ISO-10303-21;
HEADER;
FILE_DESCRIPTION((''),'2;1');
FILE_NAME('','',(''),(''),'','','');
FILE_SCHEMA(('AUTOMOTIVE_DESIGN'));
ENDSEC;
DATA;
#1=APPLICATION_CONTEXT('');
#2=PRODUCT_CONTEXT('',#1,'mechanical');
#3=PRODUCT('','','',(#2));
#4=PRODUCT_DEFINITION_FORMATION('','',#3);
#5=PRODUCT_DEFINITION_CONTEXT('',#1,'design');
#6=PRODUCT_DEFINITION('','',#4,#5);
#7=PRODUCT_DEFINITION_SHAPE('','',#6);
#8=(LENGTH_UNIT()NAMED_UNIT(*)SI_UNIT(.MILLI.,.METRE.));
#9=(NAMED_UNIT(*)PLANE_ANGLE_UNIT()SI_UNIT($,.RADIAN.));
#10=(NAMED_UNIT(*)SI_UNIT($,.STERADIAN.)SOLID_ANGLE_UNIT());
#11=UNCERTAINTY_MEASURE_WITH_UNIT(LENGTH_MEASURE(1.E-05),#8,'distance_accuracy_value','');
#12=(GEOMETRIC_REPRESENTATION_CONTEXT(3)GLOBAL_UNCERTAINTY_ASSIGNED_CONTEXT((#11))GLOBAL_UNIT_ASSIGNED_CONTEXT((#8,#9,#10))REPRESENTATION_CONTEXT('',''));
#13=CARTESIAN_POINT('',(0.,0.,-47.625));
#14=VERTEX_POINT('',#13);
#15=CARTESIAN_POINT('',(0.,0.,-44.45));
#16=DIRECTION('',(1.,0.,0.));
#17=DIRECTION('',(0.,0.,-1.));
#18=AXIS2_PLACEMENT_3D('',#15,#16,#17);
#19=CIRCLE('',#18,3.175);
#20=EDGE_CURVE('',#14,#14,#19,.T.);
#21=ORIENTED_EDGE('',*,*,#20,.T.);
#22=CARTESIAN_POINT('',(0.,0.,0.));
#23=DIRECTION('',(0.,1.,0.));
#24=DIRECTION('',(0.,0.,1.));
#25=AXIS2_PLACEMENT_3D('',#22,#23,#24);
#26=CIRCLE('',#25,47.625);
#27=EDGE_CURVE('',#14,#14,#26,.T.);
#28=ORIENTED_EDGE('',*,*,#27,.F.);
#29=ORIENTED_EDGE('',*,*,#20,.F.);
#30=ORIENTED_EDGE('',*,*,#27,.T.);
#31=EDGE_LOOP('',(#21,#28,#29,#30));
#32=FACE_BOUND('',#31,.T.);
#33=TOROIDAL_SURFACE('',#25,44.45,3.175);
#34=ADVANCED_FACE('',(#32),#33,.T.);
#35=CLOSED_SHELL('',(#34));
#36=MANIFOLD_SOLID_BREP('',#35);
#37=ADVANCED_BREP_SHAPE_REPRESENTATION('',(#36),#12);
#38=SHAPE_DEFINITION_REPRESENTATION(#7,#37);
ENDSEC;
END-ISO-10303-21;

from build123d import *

# Parameters (mm, degrees)
SKETCH2_R = 3.175


with BuildPart() as part:
    # Sweep1: sweep along a path in Sketch1
    with BuildLine(Plane(origin=(0, 0, 0), x_dir=(1, 0, 0), z_dir=(0, 1, 0))) as sweep1_path:
        CenterArc((0, 0), 44.45, 0, 360)
    # Sketch2 → Sweep1 (sweep)
    with BuildSketch(Plane(origin=(0, 0, 0), x_dir=(0, 0, -1), z_dir=(1, 0, 0))):
        with Locations((44.45, 0)):
            Circle(SKETCH2_R)
    sweep(path=sweep1_path.line)


solid = part.part
